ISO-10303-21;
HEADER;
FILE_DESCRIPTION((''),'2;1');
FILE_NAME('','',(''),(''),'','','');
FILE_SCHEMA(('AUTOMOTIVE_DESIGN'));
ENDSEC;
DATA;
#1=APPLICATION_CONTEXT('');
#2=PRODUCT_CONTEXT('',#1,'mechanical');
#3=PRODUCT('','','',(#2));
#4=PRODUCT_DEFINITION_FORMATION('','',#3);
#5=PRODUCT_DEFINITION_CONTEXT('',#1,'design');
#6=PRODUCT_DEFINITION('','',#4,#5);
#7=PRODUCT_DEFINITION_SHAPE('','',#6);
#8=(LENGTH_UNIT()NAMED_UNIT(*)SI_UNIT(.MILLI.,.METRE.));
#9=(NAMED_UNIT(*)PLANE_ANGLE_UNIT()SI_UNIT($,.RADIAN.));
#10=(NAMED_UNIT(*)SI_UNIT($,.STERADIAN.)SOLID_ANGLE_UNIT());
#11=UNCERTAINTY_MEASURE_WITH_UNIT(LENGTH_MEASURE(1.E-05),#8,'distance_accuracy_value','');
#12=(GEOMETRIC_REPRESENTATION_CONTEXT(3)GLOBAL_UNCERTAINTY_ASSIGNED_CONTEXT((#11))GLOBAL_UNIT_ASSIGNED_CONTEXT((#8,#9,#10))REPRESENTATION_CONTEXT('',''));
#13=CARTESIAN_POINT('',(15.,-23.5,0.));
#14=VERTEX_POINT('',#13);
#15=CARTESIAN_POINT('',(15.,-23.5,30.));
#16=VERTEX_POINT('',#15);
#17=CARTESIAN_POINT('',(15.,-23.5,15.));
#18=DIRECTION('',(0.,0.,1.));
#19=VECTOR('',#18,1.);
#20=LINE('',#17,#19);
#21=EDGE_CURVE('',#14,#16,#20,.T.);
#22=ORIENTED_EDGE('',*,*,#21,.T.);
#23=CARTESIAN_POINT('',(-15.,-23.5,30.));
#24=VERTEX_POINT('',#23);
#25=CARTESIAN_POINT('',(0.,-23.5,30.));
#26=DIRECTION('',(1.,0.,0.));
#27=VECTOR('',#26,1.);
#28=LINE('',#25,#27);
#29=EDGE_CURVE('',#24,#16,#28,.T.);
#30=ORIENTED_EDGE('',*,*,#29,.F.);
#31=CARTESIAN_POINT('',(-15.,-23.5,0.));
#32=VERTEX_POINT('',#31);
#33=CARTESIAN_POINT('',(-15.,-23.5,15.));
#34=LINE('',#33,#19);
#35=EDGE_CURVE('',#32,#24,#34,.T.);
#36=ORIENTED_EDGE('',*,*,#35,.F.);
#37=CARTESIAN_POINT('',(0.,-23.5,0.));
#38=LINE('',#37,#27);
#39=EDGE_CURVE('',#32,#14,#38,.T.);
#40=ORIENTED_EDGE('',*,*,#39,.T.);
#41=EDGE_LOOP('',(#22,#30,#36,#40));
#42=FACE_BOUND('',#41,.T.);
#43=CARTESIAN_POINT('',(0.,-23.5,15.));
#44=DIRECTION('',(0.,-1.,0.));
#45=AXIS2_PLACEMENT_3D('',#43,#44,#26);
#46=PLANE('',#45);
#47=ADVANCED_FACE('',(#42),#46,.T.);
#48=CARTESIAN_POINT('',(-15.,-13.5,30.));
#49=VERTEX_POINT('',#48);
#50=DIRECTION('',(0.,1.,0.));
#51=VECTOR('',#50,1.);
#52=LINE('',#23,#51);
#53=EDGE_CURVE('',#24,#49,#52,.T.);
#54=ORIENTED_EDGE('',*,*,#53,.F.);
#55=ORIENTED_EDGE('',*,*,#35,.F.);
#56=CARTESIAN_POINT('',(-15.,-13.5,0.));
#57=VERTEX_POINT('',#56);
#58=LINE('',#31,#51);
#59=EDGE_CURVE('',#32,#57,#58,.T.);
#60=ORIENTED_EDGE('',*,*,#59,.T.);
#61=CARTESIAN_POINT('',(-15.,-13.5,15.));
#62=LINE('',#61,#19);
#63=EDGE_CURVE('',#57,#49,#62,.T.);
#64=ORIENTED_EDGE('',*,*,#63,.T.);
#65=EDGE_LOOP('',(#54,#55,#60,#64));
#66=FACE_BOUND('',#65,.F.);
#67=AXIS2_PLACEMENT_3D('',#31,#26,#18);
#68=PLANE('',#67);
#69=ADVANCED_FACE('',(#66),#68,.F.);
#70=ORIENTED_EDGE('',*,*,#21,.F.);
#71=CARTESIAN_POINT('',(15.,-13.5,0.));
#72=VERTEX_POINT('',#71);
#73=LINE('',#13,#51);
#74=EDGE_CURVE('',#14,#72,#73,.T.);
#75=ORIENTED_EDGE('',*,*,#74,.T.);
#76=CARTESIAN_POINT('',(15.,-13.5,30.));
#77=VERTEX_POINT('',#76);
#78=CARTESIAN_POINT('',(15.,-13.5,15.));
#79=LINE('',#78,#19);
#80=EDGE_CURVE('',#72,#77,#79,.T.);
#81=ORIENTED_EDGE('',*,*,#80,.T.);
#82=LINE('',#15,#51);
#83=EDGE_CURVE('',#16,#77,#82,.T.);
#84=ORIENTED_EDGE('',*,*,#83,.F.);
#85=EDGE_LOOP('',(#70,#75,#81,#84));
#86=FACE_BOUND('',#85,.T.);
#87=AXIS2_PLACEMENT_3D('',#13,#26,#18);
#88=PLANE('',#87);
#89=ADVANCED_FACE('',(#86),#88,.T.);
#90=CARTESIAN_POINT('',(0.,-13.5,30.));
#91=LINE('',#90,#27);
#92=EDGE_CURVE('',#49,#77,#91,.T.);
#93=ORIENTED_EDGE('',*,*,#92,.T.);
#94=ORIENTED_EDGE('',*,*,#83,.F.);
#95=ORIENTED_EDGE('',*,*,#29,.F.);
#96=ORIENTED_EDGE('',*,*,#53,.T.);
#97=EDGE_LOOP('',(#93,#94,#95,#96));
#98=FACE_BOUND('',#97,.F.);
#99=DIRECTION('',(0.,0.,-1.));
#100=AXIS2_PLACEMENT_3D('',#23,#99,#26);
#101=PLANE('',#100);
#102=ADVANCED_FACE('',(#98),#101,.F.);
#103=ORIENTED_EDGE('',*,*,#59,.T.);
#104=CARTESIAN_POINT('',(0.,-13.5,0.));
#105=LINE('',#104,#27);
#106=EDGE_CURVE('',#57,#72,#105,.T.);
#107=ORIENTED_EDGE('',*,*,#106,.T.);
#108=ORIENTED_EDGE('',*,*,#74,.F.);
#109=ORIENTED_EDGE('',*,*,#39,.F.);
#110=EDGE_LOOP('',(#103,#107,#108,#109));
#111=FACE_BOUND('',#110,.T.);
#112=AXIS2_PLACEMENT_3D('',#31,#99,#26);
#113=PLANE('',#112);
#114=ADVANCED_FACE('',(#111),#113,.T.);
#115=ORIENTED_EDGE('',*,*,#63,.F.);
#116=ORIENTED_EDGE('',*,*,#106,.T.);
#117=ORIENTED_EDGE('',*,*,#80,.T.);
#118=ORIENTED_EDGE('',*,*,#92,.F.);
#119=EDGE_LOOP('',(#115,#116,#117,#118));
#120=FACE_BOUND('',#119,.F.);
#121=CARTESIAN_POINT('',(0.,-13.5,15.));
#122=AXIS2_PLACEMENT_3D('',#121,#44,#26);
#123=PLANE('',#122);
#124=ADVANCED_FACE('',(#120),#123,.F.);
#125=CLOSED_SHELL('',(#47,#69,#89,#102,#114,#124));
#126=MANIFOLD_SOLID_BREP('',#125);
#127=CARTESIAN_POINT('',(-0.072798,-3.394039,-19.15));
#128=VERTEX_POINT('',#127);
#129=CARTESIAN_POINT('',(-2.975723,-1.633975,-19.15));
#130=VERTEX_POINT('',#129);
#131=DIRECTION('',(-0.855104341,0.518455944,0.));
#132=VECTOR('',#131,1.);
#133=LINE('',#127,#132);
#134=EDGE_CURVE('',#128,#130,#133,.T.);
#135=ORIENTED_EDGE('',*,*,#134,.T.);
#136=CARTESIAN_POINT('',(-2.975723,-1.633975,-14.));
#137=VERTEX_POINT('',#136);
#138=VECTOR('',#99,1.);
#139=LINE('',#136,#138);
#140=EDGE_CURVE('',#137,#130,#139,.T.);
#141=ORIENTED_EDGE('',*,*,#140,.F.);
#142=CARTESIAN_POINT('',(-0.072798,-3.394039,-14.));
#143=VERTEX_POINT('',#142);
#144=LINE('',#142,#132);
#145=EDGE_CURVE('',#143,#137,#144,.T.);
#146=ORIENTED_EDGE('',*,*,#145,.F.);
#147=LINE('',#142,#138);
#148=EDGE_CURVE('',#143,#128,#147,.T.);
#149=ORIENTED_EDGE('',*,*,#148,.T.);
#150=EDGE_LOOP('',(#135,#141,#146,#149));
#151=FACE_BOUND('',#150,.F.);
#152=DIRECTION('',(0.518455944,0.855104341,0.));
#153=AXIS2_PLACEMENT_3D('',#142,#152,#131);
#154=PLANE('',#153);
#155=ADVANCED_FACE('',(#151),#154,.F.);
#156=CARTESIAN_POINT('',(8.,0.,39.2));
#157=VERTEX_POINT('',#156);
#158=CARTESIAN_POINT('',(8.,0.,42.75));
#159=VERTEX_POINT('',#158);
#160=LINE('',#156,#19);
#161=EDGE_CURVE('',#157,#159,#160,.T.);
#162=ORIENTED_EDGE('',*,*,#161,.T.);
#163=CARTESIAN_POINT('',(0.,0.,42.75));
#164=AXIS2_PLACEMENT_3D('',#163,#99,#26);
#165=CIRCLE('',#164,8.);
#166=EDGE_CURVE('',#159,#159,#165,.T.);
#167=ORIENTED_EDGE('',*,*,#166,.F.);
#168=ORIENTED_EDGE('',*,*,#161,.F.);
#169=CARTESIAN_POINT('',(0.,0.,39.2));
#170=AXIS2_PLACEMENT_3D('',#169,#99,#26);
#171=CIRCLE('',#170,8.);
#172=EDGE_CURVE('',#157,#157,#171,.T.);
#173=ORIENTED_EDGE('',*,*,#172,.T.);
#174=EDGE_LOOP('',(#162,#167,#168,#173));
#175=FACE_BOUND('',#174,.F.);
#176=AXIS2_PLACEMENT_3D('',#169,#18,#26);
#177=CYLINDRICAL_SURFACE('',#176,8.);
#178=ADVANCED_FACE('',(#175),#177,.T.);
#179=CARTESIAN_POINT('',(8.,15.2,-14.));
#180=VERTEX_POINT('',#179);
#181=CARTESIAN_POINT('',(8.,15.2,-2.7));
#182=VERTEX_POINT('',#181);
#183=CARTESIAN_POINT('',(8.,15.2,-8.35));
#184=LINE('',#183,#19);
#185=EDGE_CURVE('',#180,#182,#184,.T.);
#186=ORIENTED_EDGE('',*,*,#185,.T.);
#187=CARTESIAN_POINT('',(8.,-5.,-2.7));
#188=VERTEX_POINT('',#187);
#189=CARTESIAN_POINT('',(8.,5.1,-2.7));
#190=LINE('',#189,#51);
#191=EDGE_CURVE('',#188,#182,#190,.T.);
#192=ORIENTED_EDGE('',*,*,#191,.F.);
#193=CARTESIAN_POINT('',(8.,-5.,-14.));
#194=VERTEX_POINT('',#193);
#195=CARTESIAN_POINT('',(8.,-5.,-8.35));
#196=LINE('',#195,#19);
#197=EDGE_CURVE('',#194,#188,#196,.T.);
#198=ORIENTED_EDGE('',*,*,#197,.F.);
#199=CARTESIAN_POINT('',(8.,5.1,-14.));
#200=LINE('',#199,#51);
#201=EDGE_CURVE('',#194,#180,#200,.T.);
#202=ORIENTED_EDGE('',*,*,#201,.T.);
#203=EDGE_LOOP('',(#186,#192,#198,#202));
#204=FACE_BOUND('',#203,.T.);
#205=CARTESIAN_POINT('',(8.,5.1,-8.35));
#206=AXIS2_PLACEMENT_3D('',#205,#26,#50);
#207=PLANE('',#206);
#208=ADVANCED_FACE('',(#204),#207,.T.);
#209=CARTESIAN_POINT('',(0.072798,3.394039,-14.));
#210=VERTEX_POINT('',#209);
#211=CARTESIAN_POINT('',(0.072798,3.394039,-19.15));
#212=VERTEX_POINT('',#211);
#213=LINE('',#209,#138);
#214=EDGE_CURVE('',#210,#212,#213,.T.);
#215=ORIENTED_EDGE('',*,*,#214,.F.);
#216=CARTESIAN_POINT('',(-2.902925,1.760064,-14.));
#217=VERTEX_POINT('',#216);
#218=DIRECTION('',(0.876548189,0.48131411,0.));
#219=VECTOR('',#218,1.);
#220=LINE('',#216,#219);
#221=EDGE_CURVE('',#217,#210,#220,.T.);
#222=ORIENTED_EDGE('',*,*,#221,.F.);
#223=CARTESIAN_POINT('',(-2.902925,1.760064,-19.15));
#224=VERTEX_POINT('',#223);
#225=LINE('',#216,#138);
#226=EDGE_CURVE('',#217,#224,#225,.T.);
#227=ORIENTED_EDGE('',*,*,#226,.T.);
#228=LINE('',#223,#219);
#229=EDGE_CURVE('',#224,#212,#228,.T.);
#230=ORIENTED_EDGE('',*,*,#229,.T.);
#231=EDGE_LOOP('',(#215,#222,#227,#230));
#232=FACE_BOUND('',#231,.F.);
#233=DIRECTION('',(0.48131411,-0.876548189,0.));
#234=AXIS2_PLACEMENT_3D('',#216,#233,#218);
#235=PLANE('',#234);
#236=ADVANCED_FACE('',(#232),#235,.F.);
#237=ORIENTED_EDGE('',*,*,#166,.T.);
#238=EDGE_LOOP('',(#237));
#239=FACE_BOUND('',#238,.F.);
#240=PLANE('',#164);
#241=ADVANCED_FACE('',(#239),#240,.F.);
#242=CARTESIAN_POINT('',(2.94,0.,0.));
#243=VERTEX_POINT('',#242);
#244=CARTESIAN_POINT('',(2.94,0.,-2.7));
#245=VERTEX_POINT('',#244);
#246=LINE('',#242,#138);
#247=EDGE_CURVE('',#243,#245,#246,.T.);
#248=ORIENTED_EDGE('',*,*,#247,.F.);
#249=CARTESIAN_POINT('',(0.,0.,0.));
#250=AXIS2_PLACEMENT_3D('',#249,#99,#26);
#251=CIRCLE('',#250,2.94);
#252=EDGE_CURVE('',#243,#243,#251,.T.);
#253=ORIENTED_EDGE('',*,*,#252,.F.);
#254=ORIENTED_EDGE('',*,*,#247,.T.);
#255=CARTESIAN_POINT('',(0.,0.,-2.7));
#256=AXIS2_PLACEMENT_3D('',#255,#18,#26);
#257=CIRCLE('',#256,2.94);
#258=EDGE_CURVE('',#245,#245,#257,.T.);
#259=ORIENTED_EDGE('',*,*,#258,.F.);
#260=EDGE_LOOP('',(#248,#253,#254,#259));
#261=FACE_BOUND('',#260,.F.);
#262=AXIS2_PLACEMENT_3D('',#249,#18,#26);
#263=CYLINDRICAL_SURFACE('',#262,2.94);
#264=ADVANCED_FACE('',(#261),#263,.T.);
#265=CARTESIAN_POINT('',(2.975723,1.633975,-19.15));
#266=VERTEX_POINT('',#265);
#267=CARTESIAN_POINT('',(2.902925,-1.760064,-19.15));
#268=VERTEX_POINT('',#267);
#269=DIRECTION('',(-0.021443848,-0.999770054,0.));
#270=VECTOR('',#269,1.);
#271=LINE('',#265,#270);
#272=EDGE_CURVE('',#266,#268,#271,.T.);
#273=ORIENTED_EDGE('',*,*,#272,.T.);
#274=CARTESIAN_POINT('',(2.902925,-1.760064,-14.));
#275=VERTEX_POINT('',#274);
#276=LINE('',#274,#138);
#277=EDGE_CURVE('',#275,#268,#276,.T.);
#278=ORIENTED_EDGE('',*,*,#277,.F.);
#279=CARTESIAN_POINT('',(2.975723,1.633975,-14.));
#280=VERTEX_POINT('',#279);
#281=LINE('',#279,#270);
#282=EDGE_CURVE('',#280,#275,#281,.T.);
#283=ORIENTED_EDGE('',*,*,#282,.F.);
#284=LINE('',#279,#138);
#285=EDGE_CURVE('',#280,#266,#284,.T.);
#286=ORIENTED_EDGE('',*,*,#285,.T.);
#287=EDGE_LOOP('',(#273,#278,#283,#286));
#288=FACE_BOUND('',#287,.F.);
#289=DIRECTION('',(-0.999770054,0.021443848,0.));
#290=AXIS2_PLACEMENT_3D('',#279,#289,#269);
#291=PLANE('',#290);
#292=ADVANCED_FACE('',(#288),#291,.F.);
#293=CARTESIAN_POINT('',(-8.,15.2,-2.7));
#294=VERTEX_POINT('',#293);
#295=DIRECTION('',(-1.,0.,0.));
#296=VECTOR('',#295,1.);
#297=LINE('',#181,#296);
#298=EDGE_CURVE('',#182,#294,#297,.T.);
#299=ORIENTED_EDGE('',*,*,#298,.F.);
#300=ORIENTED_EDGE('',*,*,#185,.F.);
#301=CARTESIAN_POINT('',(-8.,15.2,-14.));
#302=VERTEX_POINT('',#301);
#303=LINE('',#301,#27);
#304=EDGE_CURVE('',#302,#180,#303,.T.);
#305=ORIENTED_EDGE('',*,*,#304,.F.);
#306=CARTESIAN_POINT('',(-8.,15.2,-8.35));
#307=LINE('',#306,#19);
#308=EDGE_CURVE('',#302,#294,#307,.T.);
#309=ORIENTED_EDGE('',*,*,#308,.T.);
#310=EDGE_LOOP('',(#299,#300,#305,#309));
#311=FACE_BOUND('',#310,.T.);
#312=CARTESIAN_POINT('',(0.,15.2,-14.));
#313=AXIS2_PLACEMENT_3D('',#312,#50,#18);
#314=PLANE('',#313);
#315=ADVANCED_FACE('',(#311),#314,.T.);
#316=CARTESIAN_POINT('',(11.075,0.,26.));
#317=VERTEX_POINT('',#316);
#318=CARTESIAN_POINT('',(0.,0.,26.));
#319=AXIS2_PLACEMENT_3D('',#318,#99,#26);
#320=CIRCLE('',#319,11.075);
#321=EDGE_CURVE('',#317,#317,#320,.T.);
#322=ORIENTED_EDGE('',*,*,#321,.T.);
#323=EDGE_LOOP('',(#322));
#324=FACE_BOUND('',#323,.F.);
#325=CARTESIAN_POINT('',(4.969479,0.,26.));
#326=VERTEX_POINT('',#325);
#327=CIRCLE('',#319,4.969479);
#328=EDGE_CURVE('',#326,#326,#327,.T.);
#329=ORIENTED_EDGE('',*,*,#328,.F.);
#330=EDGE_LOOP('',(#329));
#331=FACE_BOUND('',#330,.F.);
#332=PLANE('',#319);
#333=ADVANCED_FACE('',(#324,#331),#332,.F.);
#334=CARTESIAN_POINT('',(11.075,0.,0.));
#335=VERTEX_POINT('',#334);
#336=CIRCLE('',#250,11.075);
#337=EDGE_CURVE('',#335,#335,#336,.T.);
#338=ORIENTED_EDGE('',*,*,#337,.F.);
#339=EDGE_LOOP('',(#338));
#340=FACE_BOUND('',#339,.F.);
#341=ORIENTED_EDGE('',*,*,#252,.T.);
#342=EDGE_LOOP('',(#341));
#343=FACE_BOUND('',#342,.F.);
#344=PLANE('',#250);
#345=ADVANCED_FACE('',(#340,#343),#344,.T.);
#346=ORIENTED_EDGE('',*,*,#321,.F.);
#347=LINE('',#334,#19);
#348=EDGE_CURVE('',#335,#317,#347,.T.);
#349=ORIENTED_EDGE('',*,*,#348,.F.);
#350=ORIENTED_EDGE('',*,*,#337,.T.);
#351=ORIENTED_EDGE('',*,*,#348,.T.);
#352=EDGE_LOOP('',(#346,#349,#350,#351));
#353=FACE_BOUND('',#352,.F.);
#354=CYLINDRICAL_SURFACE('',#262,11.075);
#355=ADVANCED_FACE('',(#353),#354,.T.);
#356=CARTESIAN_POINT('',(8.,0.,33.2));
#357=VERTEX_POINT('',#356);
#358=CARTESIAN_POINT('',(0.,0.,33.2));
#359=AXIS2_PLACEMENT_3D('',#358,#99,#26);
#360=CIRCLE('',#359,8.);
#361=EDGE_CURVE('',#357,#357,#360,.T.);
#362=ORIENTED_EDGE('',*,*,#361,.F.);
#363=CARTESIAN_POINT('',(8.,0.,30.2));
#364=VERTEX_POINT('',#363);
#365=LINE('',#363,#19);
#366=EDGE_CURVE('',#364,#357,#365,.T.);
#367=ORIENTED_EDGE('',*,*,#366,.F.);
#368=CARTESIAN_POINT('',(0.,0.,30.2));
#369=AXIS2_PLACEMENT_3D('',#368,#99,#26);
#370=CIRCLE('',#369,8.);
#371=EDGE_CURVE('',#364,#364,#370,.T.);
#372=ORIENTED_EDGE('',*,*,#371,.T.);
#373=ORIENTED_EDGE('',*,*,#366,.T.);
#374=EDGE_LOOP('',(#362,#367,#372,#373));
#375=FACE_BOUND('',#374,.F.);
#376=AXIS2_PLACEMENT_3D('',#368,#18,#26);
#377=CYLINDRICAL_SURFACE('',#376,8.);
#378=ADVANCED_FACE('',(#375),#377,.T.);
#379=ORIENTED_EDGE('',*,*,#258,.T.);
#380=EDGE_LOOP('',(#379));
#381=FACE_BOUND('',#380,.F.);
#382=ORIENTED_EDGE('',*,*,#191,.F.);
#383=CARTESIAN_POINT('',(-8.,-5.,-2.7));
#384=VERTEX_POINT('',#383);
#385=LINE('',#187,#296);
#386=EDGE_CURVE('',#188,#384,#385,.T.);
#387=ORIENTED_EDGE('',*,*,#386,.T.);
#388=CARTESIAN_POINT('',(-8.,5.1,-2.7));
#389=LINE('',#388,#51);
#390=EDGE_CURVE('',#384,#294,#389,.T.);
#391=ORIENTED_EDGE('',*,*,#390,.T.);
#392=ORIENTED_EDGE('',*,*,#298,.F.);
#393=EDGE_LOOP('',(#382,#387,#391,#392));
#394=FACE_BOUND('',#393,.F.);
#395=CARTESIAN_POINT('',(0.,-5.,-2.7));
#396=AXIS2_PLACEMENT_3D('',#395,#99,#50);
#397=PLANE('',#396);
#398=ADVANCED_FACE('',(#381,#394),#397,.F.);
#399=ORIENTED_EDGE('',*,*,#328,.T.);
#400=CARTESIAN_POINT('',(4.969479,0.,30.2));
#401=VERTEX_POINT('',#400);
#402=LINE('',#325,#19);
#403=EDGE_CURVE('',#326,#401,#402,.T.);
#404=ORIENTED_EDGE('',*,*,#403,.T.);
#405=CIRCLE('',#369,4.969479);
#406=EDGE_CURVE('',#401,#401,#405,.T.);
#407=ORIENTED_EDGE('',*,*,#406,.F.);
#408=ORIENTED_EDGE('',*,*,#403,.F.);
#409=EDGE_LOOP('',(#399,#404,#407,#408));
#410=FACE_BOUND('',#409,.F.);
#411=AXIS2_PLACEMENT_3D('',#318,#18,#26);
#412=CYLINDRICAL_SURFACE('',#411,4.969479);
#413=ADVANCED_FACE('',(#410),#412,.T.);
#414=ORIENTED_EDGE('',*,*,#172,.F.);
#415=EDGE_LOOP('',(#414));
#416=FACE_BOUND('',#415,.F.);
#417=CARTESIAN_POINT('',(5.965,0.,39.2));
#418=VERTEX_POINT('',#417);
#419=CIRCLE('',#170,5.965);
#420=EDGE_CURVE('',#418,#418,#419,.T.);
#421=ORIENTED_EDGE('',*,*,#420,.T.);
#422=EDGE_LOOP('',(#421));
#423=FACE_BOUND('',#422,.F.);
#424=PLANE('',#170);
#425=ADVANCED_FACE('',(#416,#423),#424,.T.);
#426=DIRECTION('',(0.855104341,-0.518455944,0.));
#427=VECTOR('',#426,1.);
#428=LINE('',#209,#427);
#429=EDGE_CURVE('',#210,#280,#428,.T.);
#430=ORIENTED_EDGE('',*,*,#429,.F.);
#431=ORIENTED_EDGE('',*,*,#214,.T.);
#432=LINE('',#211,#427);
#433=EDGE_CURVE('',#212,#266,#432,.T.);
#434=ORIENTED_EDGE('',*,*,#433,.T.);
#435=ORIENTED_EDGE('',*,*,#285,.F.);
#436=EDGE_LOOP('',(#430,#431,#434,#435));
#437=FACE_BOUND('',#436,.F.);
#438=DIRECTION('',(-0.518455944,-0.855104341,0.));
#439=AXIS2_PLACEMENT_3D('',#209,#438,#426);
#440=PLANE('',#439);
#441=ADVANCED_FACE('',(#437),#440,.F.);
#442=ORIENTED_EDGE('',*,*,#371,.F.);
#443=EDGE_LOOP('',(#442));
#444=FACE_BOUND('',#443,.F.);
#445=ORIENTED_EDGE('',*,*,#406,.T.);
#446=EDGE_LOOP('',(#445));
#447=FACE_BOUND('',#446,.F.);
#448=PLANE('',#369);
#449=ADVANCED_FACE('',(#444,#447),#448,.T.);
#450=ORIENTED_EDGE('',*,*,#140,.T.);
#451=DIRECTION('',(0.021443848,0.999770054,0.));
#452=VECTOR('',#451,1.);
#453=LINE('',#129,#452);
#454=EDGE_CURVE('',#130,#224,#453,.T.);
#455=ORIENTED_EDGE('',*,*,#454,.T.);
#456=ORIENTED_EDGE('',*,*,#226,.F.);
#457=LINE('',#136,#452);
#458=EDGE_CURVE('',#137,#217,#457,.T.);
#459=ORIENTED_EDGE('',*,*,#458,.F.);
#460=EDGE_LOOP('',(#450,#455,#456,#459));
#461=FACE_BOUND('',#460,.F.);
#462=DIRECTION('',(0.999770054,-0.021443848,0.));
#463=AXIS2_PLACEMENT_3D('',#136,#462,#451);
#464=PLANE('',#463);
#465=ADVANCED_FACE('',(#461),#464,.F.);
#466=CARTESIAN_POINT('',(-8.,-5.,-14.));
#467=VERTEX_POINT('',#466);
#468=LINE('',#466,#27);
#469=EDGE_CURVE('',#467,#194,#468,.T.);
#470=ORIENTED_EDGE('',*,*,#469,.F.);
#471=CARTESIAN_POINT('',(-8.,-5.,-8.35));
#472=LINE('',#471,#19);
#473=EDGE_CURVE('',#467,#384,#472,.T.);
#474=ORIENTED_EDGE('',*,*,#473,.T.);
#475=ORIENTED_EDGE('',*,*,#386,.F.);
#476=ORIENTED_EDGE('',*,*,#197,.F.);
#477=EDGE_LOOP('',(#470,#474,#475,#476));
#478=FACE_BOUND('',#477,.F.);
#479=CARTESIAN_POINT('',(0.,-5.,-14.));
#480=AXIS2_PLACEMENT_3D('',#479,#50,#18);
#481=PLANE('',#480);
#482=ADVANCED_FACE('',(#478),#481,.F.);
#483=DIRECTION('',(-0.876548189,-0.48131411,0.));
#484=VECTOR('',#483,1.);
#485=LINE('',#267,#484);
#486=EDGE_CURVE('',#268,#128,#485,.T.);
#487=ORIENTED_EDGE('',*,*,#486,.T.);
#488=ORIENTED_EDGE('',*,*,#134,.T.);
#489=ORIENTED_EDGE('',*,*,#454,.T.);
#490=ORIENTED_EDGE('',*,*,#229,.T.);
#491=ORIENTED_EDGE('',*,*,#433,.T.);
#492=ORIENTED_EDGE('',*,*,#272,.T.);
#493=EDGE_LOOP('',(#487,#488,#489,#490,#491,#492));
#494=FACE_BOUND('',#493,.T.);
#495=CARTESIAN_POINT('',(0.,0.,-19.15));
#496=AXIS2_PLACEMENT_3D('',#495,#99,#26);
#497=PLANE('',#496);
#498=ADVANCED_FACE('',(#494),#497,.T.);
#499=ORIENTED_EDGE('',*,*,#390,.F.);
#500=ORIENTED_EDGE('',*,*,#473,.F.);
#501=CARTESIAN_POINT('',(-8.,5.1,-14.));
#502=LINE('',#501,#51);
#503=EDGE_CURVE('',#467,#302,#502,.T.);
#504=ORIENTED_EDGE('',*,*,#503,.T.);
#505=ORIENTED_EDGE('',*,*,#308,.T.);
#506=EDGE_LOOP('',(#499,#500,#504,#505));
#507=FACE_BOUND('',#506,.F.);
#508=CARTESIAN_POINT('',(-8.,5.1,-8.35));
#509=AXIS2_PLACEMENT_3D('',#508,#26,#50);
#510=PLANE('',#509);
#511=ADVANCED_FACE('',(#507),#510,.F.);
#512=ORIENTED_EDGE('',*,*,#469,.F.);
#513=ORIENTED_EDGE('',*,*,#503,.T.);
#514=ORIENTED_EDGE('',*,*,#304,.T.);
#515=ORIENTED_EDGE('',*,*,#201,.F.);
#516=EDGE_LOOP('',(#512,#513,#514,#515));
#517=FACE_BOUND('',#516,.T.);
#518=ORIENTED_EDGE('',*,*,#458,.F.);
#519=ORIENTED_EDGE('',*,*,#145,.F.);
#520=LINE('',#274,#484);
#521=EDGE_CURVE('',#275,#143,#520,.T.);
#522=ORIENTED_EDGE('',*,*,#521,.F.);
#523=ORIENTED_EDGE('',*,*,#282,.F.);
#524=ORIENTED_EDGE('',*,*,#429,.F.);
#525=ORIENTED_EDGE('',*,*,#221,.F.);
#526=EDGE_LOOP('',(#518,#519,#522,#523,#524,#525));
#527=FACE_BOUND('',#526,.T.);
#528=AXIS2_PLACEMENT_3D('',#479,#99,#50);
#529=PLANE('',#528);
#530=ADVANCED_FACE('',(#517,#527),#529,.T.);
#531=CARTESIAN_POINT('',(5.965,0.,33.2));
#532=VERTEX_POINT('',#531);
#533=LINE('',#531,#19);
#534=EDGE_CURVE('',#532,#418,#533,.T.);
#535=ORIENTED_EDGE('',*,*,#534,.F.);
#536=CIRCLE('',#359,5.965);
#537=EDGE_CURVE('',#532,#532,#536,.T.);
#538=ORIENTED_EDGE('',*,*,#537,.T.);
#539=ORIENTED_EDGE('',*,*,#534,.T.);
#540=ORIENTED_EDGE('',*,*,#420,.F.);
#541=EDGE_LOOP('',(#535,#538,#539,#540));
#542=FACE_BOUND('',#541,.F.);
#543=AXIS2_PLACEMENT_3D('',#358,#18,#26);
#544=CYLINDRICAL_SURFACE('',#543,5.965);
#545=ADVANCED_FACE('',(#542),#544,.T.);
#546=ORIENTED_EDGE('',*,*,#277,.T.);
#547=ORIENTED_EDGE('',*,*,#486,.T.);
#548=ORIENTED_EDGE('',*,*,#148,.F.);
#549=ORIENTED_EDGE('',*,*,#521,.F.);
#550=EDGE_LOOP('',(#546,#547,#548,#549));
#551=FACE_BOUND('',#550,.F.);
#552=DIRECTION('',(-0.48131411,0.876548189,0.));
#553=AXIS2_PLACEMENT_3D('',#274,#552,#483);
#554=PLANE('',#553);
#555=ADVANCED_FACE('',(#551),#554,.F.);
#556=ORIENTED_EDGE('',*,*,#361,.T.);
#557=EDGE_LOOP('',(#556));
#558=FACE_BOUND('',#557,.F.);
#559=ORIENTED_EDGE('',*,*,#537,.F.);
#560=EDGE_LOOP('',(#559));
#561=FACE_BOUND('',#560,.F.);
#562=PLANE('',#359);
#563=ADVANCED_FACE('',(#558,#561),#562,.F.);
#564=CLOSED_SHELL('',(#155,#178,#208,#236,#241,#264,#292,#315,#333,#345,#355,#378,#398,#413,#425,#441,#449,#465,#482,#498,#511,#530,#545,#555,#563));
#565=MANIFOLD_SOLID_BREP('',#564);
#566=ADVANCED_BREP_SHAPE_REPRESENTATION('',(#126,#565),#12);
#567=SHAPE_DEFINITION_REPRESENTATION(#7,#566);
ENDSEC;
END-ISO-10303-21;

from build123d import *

# Parameters (mm, degrees)
F2_R      = 2.94
F3_DEPTH  = 7.65
F5_W      = 30
F5_H      = 30
F6_DEPTH  = 10
F7_W      = 20.2
F7_H      = 11.3
F8_DEPTH  = 8
F10_DEPTH = 5.15


with BuildPart() as f1:
    # F0 (on Front) → F1 (revolve)
    with BuildSketch(Plane.XZ):
        Polygon((8, 42.75), (0, 42.75), (0, 0), (11.075, 0), (11.075, 26), (4.9694790867, 26), (4.9694790867, 30.2), (8, 30.2), (8, 33.2), (5.965, 33.2), (5.965, 39.2), (8, 39.2), align=None)
    revolve(axis=Axis((0, 0, 21.375), (0, 0, -1)))

    # F2 (on face) → F3 (join)
    with BuildSketch(Plane(origin=(0, 0, 0), x_dir=(1, 0, 0), z_dir=(0, 0, -1))):
        Circle(F2_R)
    extrude(amount=F3_DEPTH)

    # F7 (on Right) → F8 (join, symmetric)
    with BuildSketch(Plane.YZ):
        with Locations((5.1, -8.35)):
            Rectangle(F7_W, F7_H)
    extrude(amount=F8_DEPTH, both=True)

    # F9 (on face) → F10 (join)
    with BuildSketch(Plane(origin=(0, 0, -14), x_dir=(1, 0, 0), z_dir=(0, 0, -1))):
        Polygon((-2.9029249615, -1.7600643931), (0.072797996, -3.3940389585), (2.9757229575, -1.6339745654), (2.9029249615, 1.7600643931), (-0.072797996, 3.3940389585), (-2.9757229575, 1.6339745654), align=None)
    extrude(amount=F10_DEPTH)


with BuildPart() as f6:
    # F5 (on offset) → F6 (new body)
    with BuildSketch(Plane.XZ.offset(23.5)):
        with Locations((0, 15)):
            Rectangle(F5_W, F5_H)
    extrude(amount=-F6_DEPTH)


solid = Compound([f1.part, f6.part])
